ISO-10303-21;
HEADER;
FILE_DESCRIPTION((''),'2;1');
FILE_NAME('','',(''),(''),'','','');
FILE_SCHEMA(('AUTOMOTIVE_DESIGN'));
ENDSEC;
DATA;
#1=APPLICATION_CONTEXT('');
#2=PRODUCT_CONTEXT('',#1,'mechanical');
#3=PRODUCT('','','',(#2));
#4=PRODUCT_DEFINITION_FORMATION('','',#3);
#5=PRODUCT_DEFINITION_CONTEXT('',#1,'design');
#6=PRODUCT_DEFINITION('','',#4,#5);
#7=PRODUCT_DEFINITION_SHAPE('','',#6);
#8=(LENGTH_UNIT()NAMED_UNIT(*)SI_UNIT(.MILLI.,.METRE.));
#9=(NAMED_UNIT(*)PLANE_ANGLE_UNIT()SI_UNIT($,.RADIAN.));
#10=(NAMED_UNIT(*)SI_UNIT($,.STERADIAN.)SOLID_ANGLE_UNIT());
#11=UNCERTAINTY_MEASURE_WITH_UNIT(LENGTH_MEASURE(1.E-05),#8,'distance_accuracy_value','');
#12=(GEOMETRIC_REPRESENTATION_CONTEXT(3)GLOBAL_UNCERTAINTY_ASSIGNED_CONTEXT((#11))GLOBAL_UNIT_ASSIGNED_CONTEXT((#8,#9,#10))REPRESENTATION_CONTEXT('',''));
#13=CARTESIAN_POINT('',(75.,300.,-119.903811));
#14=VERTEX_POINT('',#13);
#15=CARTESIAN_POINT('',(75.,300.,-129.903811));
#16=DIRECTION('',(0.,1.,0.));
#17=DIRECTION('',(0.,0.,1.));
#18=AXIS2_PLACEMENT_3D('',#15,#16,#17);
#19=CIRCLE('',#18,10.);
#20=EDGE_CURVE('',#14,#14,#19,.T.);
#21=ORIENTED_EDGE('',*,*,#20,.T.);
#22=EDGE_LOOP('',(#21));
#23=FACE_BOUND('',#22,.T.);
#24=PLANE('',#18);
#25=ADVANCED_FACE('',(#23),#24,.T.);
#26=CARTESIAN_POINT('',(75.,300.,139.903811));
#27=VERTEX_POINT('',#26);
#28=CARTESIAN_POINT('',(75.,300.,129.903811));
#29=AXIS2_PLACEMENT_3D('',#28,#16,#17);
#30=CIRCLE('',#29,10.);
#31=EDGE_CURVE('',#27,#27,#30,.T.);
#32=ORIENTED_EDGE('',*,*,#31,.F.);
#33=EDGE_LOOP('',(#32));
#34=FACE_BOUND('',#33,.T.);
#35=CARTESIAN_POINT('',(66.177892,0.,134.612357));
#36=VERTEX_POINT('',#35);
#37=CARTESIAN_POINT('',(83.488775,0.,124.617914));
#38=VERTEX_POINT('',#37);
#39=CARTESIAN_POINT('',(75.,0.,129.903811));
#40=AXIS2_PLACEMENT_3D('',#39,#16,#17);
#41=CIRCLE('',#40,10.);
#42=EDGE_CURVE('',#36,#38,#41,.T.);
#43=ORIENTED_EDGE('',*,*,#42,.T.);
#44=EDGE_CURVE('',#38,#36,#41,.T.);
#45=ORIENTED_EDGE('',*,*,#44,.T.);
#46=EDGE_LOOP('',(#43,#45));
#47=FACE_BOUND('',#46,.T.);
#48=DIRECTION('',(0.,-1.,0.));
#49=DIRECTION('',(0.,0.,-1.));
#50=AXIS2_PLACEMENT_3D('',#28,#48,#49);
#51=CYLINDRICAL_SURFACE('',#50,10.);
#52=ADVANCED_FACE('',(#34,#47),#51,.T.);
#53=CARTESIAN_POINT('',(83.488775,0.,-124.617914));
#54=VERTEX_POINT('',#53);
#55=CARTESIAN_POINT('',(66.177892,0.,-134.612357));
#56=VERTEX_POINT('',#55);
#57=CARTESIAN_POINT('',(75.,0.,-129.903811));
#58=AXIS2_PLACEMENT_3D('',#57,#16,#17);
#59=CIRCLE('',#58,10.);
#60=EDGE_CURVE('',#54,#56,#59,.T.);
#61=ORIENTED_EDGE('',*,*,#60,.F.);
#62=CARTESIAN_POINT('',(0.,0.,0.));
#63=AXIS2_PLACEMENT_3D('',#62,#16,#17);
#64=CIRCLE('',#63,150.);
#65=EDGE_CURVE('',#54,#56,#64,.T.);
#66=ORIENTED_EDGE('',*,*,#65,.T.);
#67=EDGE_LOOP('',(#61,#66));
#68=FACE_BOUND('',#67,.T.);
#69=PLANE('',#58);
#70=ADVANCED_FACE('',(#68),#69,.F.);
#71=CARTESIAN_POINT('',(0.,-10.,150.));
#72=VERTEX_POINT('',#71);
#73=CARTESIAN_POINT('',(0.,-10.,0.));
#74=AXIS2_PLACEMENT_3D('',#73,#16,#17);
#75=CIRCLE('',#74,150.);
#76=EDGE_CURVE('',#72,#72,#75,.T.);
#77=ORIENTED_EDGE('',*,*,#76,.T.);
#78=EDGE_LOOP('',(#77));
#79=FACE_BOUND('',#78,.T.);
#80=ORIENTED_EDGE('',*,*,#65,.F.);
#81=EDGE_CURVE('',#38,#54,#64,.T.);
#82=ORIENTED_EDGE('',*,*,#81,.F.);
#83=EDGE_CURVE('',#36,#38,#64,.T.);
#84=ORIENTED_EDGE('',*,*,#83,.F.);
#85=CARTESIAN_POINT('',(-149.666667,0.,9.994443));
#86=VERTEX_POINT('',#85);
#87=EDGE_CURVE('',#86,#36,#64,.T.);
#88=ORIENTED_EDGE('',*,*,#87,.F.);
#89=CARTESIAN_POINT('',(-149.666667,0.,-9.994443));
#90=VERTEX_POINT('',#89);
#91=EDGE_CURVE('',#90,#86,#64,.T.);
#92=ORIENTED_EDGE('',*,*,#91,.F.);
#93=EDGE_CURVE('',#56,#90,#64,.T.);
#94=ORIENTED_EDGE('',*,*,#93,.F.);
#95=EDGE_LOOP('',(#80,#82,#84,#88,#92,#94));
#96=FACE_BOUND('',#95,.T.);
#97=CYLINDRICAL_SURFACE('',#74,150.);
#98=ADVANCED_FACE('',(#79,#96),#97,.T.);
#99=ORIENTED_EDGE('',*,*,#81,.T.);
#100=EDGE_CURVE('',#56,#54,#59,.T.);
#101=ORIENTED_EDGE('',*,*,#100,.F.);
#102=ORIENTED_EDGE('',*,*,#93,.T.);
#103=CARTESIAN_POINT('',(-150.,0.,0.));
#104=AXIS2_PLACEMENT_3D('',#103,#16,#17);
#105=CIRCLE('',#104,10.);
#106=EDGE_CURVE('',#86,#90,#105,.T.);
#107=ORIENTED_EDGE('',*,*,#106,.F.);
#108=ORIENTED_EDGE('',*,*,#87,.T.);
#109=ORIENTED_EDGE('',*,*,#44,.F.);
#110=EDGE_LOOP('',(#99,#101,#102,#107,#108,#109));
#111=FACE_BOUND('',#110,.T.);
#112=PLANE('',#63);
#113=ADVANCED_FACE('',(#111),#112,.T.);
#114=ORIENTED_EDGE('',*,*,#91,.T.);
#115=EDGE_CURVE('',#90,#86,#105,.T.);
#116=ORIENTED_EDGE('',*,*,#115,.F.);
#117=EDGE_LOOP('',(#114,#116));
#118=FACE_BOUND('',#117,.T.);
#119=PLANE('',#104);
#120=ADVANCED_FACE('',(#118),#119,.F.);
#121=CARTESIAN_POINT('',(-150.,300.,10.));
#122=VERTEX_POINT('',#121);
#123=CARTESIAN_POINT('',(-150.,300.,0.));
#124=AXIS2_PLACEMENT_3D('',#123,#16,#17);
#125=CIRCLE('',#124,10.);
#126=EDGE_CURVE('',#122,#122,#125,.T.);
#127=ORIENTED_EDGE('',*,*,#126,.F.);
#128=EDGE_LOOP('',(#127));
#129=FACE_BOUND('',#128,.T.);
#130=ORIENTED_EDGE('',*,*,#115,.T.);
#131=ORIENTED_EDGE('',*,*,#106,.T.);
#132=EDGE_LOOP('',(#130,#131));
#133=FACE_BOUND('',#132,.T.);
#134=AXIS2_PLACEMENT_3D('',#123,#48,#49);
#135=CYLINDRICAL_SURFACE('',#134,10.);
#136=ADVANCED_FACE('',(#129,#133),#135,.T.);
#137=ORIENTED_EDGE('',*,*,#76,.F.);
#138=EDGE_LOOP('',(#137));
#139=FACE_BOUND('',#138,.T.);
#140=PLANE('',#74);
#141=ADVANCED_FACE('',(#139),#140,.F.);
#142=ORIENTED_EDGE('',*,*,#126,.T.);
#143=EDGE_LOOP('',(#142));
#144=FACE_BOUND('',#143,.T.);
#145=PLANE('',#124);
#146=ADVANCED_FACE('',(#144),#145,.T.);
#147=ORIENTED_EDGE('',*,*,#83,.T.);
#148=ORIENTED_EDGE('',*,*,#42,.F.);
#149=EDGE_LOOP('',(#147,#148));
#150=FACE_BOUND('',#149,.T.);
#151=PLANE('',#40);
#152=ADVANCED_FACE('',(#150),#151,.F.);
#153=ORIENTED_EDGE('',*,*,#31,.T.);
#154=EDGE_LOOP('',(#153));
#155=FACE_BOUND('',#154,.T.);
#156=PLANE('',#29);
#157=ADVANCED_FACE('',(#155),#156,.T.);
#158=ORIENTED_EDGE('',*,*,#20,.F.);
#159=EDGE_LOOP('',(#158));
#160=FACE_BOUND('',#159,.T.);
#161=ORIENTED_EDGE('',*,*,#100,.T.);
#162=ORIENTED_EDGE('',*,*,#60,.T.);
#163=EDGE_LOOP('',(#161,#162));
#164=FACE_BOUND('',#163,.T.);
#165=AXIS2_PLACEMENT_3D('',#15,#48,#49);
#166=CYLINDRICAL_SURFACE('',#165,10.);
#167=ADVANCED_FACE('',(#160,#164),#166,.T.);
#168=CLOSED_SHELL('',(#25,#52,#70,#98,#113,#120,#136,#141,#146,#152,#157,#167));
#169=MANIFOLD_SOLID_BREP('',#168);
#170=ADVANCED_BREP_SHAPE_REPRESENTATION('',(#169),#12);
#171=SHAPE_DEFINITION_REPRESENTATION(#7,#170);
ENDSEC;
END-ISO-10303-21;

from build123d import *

# Parameters (mm, degrees)
SKETCH1_R             = 10
BOSS_EXTRUDE1_DEPTH   = 300
BOSS_EXTRUDE1_2_DEPTH = 300
BOSS_EXTRUDE1_3_DEPTH = 300
SKETCH1_3_R           = 150
BOSS_EXTRUDE2_DEPTH   = 10


with BuildPart() as part:
    # Sketch1 → Boss-Extrude1 (new body)
    with BuildSketch(Plane(origin=(0, 0, 0), x_dir=(1, 0, 0), z_dir=(0, 1, 0))):
        with Locations((-150, 0)):
            Circle(SKETCH1_R)
    extrude(amount=BOSS_EXTRUDE1_DEPTH)



with BuildPart() as body_2:
    # Sketch1 → Boss-Extrude1 2 (new body)
    with BuildSketch(Plane(origin=(0, 0, 0), x_dir=(1, 0, 0), z_dir=(0, 1, 0))):
        with Locations((75, 129.903810568)):
            Circle(SKETCH1_R)
    extrude(amount=BOSS_EXTRUDE1_2_DEPTH)


with BuildPart() as body_3:
    # Sketch1 → Boss-Extrude1 3 (new body)
    with BuildSketch(Plane(origin=(0, 0, 0), x_dir=(1, 0, 0), z_dir=(0, 1, 0))):
        with Locations((75, -129.903810568)):
            Circle(SKETCH1_R)
    extrude(amount=BOSS_EXTRUDE1_3_DEPTH)


with BuildPart() as part_1:
    add(part.part)

    add(body_2.part)  # Boss-Extrude2 merges body 2

    add(body_3.part)  # Boss-Extrude2 merges body 3
    # Sketch1<3> → Boss-Extrude2 (add)
    with BuildSketch(Plane(origin=(0, 0, 0), x_dir=(1, 0, 0), z_dir=(0, 1, 0))):
        Circle(SKETCH1_3_R)
    extrude(amount=-BOSS_EXTRUDE2_DEPTH)


solid = part_1.part
